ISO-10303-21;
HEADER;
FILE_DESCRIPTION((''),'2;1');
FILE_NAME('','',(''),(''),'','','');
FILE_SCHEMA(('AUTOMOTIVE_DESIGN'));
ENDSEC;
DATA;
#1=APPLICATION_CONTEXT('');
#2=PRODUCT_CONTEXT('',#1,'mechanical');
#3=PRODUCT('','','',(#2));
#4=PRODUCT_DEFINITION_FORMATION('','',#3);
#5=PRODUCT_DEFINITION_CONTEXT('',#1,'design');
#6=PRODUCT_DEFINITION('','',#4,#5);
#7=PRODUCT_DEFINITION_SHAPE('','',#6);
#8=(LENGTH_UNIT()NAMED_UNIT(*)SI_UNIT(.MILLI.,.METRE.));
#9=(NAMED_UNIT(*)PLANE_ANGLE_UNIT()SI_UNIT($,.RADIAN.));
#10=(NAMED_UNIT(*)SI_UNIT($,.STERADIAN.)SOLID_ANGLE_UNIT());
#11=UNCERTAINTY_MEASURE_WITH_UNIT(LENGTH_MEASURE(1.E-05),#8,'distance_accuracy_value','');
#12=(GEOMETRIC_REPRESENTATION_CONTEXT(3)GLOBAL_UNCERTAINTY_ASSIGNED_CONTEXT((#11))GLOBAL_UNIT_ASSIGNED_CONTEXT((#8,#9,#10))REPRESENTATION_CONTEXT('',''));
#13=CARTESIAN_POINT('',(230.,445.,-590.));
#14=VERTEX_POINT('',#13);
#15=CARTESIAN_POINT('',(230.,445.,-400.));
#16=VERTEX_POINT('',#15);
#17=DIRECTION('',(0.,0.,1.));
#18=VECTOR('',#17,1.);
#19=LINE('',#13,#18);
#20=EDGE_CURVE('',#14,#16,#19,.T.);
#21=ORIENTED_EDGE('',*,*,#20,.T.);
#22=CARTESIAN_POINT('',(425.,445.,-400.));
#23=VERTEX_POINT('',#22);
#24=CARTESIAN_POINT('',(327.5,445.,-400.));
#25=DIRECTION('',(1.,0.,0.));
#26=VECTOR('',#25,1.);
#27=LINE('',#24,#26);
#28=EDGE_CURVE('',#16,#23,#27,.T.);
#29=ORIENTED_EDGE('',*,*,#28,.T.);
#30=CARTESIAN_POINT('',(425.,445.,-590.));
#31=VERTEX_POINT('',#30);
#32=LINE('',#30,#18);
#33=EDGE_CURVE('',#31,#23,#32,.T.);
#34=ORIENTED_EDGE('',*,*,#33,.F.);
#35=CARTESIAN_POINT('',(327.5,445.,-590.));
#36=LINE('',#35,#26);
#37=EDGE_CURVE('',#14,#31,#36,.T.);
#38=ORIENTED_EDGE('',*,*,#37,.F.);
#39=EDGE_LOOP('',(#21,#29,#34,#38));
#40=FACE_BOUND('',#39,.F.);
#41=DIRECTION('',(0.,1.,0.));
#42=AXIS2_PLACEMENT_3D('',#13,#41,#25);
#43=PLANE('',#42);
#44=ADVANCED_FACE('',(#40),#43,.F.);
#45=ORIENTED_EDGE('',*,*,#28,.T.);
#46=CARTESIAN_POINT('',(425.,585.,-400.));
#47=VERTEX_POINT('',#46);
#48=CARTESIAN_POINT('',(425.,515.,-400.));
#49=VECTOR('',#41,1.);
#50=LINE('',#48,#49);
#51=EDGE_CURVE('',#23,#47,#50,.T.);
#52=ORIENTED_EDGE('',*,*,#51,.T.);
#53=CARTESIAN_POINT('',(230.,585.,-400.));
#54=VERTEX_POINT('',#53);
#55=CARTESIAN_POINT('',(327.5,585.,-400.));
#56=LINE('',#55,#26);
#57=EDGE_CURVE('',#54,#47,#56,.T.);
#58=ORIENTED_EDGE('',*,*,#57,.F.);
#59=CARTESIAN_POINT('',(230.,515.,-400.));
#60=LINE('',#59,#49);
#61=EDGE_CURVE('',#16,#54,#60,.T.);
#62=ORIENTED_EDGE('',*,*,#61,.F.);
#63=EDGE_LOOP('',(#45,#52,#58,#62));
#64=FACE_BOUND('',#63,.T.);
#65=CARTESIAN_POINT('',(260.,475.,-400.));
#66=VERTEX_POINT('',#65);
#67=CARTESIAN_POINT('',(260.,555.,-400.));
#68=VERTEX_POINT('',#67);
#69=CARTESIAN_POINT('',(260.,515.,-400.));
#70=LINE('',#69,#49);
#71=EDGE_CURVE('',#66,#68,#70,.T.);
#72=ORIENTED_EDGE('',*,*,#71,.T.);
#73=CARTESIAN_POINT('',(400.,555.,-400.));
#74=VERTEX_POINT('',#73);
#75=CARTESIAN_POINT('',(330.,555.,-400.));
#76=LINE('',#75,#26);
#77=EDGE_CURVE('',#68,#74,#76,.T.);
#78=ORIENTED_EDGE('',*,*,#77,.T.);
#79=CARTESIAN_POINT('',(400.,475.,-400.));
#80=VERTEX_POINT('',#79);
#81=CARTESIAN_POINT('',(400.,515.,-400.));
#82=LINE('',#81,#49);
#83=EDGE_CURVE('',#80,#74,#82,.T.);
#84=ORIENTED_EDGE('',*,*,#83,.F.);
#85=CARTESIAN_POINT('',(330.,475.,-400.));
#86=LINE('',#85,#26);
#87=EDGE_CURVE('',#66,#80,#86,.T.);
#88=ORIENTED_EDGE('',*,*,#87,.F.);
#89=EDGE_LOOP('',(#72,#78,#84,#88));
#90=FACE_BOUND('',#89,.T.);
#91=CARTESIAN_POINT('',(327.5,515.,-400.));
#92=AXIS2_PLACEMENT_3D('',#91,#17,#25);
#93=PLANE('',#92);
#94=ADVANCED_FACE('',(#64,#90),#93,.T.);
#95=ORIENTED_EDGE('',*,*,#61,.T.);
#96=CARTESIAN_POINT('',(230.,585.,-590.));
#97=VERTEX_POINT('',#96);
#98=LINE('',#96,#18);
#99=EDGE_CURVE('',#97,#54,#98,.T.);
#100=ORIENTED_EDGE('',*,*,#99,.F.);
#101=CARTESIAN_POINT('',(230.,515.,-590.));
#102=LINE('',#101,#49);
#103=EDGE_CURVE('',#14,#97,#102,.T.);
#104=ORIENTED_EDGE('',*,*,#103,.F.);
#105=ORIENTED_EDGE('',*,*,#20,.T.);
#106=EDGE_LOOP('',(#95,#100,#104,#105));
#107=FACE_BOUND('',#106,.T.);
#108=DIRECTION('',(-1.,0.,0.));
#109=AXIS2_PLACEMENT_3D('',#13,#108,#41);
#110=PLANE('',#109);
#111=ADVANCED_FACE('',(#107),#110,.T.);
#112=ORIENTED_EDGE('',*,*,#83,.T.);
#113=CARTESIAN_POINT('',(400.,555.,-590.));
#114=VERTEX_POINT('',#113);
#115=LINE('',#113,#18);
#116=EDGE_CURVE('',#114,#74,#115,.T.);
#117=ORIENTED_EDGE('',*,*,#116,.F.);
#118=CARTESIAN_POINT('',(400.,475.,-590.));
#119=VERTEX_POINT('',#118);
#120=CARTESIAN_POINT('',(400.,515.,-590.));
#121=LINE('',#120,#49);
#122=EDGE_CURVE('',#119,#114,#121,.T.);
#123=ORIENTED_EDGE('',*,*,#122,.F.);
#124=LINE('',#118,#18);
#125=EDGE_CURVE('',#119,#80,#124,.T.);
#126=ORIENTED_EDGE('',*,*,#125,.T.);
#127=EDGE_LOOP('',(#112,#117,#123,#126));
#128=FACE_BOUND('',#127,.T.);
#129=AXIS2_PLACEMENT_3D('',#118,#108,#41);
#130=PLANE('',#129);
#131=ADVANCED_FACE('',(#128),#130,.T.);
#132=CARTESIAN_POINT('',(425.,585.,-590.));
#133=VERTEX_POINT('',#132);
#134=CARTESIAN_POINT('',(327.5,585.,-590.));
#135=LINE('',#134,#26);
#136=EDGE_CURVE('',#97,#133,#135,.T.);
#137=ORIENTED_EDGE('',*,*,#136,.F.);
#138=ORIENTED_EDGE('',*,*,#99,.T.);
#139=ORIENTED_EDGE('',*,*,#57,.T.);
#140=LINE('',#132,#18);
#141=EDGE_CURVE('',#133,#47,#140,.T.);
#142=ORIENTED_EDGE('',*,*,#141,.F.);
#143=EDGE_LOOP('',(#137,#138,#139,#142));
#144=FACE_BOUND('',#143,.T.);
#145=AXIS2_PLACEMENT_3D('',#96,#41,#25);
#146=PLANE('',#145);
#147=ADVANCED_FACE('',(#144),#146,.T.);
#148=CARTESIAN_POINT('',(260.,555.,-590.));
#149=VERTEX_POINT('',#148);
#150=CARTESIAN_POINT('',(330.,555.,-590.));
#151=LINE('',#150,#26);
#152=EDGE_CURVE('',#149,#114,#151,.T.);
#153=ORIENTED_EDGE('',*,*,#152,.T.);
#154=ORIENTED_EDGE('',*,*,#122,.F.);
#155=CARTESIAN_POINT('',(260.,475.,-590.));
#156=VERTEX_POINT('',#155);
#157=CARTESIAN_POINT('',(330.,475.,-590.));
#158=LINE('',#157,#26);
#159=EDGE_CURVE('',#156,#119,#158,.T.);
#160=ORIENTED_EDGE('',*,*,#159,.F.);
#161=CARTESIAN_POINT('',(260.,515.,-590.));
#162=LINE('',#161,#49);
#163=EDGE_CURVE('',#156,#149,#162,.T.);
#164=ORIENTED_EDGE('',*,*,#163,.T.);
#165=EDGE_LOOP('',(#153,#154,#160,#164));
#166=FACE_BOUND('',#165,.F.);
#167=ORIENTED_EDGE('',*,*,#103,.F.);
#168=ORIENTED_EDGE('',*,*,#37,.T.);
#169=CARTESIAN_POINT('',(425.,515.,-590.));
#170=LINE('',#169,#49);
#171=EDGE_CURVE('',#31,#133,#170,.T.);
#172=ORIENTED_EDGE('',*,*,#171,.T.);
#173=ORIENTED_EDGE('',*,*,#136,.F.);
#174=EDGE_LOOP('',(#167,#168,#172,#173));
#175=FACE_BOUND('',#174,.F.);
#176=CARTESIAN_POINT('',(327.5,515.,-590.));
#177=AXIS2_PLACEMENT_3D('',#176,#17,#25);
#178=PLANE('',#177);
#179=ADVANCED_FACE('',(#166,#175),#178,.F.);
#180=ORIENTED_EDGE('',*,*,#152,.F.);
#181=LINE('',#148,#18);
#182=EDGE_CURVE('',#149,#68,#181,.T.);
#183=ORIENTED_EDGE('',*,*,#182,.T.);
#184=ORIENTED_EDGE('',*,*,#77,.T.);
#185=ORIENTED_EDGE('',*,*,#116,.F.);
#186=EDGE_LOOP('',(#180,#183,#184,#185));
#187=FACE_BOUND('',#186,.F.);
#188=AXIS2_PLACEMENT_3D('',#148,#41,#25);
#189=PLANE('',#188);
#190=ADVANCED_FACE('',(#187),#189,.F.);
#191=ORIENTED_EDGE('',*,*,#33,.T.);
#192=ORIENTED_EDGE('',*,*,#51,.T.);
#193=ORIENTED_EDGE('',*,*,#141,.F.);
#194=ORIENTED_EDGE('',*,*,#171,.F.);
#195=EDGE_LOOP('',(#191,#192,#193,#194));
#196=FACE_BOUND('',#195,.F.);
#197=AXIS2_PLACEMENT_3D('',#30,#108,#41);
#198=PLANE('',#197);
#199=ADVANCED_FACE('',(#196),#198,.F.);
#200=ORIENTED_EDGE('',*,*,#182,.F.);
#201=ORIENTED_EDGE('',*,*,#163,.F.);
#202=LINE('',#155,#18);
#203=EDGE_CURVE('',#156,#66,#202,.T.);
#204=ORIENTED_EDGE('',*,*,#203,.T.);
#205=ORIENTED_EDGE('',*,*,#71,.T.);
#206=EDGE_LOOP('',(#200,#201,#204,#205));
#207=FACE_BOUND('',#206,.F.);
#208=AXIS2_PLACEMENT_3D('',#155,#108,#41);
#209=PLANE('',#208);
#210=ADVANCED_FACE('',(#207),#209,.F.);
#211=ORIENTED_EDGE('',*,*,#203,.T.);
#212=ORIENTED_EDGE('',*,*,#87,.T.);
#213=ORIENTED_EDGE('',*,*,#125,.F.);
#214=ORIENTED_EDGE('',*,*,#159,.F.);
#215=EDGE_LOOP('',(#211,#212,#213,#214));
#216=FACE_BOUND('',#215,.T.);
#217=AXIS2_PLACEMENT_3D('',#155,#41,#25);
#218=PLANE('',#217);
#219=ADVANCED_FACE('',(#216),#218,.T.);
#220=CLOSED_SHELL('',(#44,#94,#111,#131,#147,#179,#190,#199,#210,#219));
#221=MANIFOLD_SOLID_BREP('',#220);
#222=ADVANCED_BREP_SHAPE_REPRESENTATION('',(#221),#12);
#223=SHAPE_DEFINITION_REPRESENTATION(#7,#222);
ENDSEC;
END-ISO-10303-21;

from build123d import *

# Parameters (mm, degrees)
BOX099_W     = 140
BOX099_H     = 80
BOX099_DEPTH = 190
BOX098_W     = 140
BOX098_H     = 80
BOX098_DEPTH = 190
BOX100_W     = 195
BOX100_H     = 140
BOX100_DEPTH = 190


with BuildPart() as cube071:
    # Box099 → Box099 (new body)
    with BuildSketch(Plane(origin=(220, 30, 0), x_dir=(1, 0, 0), z_dir=(0, 0, 1))):
        with Locations((70, 40)):
            Rectangle(BOX099_W, BOX099_H)
    extrude(amount=BOX099_DEPTH)


with BuildPart() as fusion016:
    # Box098 → Box098 (new body)
    with BuildSketch(Plane(origin=(30, 30, 0), x_dir=(1, 0, 0), z_dir=(0, 0, 1))):
        with Locations((70, 40)):
            Rectangle(BOX098_W, BOX098_H)
    extrude(amount=BOX098_DEPTH)

    # Fusion016: union Cube071
    add(cube071.part)


with BuildPart() as halve_snelbouwsteen:
    # Box100 → Box100 (new body)
    with BuildSketch(Plane.XY):
        with Locations((97.5, 70)):
            Rectangle(BOX100_W, BOX100_H)
    extrude(amount=BOX100_DEPTH)

    # Cut011: cut Fusion016
    add(fusion016.part, mode=Mode.SUBTRACT)


with BuildPart() as halve_snelbouwsteen_1:
    # Cut011 placement: moved
    add(halve_snelbouwsteen.part.moved(Location((230, 445, -590))))


solid = halve_snelbouwsteen_1.part
